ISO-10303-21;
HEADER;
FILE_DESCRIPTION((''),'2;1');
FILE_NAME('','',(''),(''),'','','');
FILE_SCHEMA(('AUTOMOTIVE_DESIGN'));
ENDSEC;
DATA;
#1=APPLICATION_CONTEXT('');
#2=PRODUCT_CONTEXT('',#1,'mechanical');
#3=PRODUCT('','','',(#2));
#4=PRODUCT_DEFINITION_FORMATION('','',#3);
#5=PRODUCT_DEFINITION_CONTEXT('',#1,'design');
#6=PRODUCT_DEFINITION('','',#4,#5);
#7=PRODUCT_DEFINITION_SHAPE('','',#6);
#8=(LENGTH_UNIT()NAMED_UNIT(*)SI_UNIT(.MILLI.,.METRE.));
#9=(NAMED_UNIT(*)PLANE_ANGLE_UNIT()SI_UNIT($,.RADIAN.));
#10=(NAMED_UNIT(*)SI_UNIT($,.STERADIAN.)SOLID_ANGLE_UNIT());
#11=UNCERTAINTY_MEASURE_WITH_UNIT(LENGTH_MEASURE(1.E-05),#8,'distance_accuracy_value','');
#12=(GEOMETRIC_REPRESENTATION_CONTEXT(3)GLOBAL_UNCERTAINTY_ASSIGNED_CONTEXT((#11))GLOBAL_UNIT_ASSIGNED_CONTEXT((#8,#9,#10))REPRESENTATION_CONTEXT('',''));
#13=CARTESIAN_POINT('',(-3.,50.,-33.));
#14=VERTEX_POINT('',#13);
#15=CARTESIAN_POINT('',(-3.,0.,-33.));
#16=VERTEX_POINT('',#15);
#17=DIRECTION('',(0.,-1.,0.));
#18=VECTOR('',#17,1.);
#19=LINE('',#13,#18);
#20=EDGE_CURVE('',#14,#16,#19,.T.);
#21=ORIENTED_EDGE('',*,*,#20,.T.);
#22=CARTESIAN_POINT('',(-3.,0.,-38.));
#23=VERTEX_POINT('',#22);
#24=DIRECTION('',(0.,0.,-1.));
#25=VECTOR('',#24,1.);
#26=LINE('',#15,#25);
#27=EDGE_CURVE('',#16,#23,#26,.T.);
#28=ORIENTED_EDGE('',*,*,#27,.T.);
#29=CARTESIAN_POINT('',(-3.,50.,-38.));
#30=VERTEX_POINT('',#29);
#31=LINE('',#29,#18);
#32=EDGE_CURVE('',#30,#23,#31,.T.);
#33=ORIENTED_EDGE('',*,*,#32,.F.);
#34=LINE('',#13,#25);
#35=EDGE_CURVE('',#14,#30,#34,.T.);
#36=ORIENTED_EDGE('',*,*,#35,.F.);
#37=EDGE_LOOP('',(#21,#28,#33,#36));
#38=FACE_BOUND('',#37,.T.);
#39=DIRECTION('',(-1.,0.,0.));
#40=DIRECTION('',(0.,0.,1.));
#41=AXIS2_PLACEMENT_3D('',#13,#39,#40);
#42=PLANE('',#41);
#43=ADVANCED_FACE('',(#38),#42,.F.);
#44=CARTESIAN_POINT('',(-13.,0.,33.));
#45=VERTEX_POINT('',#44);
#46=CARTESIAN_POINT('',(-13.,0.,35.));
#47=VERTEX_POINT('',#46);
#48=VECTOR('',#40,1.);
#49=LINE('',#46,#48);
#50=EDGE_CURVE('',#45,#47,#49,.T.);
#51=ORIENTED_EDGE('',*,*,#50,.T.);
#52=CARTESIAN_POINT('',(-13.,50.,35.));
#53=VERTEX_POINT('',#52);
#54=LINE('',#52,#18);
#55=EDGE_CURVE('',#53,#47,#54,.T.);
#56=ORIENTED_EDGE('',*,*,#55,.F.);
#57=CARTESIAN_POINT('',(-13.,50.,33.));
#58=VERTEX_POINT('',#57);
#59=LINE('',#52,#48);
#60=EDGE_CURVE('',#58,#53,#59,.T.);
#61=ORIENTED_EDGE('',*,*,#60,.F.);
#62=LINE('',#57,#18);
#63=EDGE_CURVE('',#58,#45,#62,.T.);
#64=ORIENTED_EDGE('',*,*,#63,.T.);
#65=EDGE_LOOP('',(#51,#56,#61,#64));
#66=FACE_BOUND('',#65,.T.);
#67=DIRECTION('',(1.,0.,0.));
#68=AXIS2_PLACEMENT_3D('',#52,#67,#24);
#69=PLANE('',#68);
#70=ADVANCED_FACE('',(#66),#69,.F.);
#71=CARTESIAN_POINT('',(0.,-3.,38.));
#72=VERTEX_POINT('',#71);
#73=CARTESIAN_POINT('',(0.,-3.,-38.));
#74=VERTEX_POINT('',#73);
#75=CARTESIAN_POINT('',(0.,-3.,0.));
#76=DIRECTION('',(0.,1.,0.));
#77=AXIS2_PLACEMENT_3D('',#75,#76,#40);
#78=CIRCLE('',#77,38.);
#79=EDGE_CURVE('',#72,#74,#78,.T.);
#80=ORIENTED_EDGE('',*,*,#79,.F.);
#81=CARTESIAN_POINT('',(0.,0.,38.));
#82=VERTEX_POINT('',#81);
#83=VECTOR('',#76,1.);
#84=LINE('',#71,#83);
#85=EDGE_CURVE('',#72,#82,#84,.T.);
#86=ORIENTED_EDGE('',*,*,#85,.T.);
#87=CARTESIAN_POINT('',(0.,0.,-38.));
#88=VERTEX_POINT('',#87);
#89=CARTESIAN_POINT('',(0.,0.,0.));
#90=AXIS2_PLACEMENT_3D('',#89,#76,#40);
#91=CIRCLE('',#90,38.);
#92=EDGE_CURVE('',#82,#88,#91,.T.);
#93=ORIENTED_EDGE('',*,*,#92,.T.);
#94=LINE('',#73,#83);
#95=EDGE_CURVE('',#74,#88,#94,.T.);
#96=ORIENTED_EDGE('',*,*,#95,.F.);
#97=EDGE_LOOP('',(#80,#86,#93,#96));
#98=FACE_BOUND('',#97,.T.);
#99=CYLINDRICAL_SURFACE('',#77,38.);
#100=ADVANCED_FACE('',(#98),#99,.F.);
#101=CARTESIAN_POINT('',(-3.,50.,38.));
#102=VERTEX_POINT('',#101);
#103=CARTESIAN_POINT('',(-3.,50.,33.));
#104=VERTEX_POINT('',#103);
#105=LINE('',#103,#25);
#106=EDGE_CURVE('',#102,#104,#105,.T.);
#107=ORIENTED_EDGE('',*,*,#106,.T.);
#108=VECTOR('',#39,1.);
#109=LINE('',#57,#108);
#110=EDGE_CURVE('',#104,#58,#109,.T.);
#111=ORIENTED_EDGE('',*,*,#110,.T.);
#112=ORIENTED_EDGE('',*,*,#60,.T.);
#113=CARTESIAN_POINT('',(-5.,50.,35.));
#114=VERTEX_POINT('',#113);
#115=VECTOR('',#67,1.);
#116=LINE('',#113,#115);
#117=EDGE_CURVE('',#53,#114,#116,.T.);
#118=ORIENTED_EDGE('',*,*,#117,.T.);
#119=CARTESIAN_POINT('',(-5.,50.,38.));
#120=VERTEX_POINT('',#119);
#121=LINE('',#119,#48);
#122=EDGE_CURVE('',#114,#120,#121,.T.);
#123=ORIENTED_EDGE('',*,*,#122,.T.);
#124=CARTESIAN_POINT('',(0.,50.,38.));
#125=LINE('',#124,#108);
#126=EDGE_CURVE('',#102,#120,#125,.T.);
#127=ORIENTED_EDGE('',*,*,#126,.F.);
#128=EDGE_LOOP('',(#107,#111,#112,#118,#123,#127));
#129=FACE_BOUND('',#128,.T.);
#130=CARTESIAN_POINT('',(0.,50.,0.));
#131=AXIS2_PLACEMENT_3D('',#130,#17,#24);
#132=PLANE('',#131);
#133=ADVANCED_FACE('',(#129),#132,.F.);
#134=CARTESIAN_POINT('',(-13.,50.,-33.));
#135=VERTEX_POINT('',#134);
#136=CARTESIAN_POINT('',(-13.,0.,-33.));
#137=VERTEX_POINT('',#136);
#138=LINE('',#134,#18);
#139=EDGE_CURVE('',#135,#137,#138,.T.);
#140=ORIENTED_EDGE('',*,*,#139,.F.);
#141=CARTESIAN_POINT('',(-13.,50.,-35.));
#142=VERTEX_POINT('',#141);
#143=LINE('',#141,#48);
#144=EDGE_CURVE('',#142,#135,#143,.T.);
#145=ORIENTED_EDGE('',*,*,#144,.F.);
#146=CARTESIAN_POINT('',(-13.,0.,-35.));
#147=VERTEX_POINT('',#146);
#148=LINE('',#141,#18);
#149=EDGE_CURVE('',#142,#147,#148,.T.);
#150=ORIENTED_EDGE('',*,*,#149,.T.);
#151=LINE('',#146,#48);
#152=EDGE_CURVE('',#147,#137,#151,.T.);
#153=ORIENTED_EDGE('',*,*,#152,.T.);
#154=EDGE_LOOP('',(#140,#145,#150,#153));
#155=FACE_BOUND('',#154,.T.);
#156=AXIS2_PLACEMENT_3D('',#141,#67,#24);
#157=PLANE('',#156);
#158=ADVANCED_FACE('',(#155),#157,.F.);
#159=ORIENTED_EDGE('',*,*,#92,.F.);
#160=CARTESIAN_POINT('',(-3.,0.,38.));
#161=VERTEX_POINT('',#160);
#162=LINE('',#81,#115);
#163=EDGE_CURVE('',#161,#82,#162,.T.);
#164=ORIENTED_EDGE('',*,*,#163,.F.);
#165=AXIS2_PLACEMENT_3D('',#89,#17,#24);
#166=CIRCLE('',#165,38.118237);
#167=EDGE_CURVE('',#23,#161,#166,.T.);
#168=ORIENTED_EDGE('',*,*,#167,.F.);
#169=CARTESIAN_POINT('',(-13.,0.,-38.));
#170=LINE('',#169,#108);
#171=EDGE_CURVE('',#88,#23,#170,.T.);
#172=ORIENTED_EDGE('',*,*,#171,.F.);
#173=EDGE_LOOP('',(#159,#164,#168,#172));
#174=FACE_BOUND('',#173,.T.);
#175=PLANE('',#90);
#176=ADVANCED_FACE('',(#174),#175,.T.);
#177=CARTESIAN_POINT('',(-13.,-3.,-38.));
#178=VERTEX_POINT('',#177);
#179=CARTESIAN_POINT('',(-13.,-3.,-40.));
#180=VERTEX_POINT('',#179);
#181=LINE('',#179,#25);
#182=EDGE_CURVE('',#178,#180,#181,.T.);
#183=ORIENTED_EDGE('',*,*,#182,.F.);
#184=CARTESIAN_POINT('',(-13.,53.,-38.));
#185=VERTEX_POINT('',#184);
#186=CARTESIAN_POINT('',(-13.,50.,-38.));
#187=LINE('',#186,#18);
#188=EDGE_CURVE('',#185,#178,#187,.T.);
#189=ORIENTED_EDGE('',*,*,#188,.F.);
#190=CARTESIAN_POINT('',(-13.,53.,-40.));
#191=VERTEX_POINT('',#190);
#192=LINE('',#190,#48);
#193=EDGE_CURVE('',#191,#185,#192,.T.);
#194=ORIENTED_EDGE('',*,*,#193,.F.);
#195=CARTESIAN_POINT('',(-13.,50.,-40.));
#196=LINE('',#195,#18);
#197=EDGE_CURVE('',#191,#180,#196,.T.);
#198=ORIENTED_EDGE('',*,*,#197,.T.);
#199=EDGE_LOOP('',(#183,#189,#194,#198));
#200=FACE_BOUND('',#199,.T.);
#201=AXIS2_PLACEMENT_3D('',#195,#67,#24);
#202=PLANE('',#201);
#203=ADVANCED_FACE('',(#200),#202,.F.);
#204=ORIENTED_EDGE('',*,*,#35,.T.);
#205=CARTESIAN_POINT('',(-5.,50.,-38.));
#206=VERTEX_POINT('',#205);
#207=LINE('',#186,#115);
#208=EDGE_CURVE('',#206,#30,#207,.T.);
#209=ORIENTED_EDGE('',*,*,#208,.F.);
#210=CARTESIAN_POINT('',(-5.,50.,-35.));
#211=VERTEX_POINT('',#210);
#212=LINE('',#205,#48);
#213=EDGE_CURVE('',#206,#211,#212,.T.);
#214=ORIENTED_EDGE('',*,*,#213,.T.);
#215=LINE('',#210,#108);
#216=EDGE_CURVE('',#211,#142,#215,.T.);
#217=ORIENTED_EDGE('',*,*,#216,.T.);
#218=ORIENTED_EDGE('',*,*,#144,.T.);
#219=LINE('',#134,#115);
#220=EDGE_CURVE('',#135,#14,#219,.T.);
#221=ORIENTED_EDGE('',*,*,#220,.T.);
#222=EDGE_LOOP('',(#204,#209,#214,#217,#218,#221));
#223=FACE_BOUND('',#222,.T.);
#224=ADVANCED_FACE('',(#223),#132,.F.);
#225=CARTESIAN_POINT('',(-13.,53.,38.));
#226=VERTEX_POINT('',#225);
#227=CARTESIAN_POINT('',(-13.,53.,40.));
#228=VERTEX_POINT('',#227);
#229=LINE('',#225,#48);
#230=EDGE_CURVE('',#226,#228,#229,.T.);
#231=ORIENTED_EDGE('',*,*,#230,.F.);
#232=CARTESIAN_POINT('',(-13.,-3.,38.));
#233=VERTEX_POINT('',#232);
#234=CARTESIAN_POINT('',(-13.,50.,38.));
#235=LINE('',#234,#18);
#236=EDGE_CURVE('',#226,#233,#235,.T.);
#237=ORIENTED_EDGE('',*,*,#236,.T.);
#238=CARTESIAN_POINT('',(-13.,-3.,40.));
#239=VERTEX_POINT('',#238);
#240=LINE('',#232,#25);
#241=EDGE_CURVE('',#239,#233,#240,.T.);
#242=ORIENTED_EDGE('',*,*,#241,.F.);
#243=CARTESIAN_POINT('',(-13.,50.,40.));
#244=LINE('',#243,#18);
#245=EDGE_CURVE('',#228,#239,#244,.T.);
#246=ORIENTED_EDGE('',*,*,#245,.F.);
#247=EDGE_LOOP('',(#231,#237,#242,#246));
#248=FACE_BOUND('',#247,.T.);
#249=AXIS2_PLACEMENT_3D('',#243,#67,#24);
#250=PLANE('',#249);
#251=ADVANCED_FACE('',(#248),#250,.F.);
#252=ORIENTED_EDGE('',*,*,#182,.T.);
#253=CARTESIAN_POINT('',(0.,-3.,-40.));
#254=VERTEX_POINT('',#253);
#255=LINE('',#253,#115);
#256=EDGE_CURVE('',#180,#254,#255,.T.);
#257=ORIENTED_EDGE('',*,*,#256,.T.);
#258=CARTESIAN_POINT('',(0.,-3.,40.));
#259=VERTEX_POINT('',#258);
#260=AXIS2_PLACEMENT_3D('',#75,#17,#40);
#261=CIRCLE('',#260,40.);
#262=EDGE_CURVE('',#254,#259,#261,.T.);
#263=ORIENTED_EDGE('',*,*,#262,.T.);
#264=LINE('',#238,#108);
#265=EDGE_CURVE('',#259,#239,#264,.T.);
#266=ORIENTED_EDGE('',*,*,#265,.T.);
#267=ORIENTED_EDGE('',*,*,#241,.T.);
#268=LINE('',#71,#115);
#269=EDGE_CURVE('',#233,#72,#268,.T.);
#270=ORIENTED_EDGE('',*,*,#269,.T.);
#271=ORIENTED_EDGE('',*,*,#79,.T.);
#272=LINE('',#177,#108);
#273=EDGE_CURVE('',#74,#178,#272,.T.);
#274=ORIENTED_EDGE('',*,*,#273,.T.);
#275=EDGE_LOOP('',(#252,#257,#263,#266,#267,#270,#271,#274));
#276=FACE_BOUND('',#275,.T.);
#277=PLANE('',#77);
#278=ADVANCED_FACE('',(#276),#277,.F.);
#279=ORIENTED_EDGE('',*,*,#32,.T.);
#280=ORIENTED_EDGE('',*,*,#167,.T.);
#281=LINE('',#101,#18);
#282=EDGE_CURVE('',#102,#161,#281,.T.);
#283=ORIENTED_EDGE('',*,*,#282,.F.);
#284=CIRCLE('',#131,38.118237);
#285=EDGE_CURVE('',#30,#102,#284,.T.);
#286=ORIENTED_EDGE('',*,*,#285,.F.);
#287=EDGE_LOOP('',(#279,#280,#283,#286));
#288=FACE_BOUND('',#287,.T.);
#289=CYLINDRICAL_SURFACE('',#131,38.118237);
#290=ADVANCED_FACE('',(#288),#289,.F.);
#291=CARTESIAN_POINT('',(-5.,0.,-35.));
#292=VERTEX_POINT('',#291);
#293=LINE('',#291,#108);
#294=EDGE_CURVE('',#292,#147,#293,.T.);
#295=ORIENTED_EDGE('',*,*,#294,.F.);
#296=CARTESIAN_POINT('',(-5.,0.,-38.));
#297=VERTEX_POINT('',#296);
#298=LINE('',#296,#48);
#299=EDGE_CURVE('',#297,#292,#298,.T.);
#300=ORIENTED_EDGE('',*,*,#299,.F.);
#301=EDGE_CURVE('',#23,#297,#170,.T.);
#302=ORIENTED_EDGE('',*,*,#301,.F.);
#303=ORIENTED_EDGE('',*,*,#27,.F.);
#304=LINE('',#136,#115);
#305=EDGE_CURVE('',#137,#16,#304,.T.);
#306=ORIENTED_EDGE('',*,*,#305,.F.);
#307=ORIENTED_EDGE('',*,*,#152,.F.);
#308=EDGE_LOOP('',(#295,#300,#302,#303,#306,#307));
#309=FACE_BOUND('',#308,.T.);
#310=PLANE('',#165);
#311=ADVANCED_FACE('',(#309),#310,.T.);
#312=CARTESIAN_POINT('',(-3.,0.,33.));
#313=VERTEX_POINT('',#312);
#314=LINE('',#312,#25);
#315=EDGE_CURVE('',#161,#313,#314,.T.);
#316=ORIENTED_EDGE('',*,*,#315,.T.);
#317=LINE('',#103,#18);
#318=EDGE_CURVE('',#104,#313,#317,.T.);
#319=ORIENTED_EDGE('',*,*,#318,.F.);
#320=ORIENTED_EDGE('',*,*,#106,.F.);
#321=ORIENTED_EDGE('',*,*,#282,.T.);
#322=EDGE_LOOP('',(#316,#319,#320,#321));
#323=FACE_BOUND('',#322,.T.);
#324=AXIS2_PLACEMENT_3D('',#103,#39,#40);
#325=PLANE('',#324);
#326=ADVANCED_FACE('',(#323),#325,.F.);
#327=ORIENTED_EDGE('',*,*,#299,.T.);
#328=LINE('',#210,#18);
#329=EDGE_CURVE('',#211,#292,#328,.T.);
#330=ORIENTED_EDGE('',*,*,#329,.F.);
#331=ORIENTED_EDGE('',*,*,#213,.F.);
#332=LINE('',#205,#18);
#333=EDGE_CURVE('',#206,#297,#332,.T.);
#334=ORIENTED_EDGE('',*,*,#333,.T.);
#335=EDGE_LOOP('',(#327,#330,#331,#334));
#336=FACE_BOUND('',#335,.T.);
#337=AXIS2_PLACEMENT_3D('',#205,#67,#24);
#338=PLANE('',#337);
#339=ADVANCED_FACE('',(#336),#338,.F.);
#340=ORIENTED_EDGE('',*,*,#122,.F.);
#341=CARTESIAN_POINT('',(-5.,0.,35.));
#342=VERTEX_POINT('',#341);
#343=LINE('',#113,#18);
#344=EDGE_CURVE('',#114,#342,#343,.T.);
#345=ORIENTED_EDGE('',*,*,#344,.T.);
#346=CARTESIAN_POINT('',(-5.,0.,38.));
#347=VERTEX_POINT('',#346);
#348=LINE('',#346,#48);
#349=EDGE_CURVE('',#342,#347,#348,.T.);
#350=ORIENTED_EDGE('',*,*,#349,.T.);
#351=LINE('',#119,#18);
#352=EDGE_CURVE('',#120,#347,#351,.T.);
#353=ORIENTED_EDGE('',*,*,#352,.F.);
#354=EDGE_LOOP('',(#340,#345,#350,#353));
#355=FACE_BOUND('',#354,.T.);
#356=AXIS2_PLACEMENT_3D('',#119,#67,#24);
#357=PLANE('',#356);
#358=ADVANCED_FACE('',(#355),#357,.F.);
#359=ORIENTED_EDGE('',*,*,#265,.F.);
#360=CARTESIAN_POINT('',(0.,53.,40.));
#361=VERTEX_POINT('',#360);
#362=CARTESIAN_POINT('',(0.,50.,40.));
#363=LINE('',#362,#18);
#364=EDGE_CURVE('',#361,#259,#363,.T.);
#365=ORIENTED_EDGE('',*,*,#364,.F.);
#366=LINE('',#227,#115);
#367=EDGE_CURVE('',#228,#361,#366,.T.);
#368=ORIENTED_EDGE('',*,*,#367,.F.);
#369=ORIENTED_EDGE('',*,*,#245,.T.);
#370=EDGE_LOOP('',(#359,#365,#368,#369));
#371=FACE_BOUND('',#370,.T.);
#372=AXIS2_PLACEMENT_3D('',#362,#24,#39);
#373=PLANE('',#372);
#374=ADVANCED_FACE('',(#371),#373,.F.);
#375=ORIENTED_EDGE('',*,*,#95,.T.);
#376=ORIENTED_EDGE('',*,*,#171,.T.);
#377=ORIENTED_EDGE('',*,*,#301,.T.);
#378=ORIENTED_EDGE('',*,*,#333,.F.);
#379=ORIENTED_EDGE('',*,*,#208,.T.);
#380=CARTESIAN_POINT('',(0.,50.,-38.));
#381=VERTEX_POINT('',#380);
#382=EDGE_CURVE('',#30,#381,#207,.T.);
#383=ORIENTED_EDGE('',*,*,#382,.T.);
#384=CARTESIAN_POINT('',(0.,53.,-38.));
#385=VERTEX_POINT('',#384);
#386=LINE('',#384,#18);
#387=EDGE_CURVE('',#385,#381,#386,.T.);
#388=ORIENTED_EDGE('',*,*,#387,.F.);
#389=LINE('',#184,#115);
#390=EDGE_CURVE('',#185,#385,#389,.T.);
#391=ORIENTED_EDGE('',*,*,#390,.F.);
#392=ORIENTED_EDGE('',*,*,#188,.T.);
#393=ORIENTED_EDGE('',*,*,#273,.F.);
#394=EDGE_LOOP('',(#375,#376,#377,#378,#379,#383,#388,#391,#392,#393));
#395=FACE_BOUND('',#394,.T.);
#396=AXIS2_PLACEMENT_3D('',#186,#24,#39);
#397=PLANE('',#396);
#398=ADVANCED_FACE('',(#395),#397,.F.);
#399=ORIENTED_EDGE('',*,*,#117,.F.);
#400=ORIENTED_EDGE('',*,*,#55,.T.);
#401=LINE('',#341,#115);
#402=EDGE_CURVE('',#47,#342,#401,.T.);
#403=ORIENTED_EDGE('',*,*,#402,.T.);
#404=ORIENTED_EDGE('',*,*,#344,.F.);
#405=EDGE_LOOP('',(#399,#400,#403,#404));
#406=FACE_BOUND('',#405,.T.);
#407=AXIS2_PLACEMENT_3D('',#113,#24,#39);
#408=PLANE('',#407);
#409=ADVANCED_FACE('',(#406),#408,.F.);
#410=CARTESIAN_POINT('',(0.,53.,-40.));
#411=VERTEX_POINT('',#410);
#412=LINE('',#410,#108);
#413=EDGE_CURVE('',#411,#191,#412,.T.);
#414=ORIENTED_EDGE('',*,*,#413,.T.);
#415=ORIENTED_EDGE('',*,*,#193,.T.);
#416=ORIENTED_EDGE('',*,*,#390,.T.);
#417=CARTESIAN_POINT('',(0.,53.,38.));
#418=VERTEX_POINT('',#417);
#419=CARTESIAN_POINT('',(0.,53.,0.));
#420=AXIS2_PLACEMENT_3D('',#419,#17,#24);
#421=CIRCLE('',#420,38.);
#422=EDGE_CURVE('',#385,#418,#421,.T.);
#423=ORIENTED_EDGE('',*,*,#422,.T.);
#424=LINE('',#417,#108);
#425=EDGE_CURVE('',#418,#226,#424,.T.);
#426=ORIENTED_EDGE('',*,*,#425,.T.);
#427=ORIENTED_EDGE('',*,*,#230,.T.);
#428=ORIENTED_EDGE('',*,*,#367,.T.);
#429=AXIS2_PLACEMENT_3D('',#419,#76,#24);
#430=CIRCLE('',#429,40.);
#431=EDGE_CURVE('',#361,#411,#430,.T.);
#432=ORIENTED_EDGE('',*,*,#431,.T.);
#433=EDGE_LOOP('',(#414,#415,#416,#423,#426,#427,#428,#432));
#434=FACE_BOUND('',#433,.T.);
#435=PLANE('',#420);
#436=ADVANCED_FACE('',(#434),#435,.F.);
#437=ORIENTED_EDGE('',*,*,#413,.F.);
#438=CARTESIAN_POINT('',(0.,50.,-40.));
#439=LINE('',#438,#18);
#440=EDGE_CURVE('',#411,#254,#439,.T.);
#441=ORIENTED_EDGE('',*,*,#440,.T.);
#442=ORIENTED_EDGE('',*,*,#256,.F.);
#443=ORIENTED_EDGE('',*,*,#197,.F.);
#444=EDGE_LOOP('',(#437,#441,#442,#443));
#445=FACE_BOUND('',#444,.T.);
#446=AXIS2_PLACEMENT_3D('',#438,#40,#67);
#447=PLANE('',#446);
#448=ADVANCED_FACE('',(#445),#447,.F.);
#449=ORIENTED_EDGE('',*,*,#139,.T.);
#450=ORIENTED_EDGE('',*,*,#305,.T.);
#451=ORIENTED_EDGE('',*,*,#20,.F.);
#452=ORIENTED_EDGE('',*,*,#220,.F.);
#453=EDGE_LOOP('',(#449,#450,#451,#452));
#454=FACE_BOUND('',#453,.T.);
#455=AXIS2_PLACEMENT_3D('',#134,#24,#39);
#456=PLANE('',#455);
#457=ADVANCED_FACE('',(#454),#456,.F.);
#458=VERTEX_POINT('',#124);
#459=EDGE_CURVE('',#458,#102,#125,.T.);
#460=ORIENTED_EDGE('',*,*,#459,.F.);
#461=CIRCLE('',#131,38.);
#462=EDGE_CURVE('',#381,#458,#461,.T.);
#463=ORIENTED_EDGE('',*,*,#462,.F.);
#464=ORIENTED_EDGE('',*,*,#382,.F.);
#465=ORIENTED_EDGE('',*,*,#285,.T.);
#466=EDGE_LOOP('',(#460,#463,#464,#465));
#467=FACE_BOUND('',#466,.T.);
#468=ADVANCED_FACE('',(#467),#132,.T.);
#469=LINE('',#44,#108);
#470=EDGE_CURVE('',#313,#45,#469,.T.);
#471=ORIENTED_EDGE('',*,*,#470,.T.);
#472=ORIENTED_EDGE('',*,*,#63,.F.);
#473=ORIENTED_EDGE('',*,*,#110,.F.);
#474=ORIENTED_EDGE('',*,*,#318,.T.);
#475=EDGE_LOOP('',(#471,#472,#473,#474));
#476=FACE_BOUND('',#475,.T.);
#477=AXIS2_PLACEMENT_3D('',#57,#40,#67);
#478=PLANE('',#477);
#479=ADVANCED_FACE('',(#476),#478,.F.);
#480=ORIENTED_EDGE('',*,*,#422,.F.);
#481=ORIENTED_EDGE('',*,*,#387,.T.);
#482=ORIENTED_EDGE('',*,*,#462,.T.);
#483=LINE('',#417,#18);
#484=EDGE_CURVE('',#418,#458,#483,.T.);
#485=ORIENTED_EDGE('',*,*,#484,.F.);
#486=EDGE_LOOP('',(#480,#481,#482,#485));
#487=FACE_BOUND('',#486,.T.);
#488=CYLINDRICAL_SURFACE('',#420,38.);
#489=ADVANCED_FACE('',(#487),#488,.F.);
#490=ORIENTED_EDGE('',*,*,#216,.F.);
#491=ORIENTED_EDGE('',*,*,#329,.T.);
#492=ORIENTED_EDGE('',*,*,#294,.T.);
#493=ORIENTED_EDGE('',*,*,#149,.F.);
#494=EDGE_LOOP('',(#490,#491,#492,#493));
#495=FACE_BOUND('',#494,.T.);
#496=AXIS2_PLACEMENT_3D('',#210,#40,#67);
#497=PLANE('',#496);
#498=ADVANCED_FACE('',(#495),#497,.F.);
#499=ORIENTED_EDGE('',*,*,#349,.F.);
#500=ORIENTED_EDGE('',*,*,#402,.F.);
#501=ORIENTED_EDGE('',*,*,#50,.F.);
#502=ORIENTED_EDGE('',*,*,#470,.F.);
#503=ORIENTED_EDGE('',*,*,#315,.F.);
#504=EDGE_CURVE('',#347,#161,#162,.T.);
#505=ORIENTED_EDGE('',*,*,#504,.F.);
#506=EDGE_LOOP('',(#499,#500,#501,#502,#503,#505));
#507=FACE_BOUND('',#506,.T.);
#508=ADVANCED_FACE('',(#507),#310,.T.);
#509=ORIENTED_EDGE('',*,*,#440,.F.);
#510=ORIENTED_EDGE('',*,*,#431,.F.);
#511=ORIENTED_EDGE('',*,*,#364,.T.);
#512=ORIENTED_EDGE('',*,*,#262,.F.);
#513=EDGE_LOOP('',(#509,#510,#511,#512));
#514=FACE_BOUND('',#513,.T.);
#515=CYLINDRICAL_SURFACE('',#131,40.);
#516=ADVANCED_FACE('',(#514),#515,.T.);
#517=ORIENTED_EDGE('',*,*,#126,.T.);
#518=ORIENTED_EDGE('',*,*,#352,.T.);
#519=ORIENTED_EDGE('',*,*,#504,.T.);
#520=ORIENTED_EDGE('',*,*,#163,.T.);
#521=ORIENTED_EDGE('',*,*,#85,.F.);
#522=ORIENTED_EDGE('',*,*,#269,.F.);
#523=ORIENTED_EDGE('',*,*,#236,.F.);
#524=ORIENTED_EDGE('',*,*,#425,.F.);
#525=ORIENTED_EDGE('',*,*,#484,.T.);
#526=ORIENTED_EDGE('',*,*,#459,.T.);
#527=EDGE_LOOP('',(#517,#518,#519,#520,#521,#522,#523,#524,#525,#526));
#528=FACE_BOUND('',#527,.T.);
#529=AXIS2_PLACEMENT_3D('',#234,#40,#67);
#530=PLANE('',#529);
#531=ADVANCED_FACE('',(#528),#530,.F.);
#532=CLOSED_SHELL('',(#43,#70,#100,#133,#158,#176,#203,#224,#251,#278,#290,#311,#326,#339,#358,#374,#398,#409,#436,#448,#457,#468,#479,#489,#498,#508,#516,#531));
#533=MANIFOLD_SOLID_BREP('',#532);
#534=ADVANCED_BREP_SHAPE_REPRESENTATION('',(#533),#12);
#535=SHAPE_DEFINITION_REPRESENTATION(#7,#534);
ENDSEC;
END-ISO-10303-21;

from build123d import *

# Parameters (mm, degrees)
BOSS_EXTRUDE1_DEPTH = 50
BOSS_EXTRUDE2_DEPTH = 3
BOSS_EXTRUDE3_DEPTH = 3


with BuildPart() as part:
    # Sketch6 → Boss-Extrude1 (new body)
    with BuildSketch(Plane(origin=(0, 0, 0), x_dir=(1, 0, 0), z_dir=(0, 1, 0))):
        with BuildLine():
            Line((0, 40), (-13, 40))
            Line((-13, 40), (-13, 38))
            Line((-13, 38), (-5, 38))
            Line((-5, 38), (-5, 35))
            Line((-5, 35), (-13, 35))
            Line((-13, 35), (-13, 33))
            Line((-13, 33), (-3, 33))
            Line((-3, 33), (-3, 38))
            ThreePointArc((-3, 38), (38.118237105, 0), (-3, -38))
            Line((-3, -38), (-3, -33))
            Line((-3, -33), (-13, -33))
            Line((-13, -33), (-13, -35))
            Line((-13, -35), (-5, -35))
            Line((-5, -35), (-5, -38))
            Line((-5, -38), (-13, -38))
            Line((-13, -38), (-13, -40))
            Line((-13, -40), (0, -40))
            ThreePointArc((0, -40), (40, 0), (0, 40))
        make_face()
    extrude(amount=BOSS_EXTRUDE1_DEPTH)

    # Sketch7 → Boss-Extrude2 (add)
    with BuildSketch(Plane(origin=(0, 50, 0), x_dir=(1, 0, 0), z_dir=(0, 1, 0))):
        with BuildLine():
            Line((0, -38), (-13, -38))
            Line((-13, -38), (-13, -40))
            Line((-13, -40), (0, -40))
            ThreePointArc((0, -40), (40, 0), (0, 40))
            Line((0, 40), (-13, 40))
            Line((-13, 40), (-13, 38))
            Line((-13, 38), (0, 38))
            ThreePointArc((0, 38), (38, 0), (0, -38))
        make_face()
    extrude(amount=BOSS_EXTRUDE2_DEPTH)

    # Sketch8 → Boss-Extrude3 (add)
    with BuildSketch(Plane.XZ):
        with BuildLine():
            Line((0, -40), (-13, -40))
            Line((-13, -40), (-13, -38))
            Line((-13, -38), (0, -38))
            ThreePointArc((0, -38), (38, 0), (0, 38))
            Line((0, 38), (-13, 38))
            Line((-13, 38), (-13, 40))
            Line((-13, 40), (0, 40))
            ThreePointArc((0, 40), (40, 0), (0, -40))
        make_face()
    extrude(amount=BOSS_EXTRUDE3_DEPTH)


solid = part.part
